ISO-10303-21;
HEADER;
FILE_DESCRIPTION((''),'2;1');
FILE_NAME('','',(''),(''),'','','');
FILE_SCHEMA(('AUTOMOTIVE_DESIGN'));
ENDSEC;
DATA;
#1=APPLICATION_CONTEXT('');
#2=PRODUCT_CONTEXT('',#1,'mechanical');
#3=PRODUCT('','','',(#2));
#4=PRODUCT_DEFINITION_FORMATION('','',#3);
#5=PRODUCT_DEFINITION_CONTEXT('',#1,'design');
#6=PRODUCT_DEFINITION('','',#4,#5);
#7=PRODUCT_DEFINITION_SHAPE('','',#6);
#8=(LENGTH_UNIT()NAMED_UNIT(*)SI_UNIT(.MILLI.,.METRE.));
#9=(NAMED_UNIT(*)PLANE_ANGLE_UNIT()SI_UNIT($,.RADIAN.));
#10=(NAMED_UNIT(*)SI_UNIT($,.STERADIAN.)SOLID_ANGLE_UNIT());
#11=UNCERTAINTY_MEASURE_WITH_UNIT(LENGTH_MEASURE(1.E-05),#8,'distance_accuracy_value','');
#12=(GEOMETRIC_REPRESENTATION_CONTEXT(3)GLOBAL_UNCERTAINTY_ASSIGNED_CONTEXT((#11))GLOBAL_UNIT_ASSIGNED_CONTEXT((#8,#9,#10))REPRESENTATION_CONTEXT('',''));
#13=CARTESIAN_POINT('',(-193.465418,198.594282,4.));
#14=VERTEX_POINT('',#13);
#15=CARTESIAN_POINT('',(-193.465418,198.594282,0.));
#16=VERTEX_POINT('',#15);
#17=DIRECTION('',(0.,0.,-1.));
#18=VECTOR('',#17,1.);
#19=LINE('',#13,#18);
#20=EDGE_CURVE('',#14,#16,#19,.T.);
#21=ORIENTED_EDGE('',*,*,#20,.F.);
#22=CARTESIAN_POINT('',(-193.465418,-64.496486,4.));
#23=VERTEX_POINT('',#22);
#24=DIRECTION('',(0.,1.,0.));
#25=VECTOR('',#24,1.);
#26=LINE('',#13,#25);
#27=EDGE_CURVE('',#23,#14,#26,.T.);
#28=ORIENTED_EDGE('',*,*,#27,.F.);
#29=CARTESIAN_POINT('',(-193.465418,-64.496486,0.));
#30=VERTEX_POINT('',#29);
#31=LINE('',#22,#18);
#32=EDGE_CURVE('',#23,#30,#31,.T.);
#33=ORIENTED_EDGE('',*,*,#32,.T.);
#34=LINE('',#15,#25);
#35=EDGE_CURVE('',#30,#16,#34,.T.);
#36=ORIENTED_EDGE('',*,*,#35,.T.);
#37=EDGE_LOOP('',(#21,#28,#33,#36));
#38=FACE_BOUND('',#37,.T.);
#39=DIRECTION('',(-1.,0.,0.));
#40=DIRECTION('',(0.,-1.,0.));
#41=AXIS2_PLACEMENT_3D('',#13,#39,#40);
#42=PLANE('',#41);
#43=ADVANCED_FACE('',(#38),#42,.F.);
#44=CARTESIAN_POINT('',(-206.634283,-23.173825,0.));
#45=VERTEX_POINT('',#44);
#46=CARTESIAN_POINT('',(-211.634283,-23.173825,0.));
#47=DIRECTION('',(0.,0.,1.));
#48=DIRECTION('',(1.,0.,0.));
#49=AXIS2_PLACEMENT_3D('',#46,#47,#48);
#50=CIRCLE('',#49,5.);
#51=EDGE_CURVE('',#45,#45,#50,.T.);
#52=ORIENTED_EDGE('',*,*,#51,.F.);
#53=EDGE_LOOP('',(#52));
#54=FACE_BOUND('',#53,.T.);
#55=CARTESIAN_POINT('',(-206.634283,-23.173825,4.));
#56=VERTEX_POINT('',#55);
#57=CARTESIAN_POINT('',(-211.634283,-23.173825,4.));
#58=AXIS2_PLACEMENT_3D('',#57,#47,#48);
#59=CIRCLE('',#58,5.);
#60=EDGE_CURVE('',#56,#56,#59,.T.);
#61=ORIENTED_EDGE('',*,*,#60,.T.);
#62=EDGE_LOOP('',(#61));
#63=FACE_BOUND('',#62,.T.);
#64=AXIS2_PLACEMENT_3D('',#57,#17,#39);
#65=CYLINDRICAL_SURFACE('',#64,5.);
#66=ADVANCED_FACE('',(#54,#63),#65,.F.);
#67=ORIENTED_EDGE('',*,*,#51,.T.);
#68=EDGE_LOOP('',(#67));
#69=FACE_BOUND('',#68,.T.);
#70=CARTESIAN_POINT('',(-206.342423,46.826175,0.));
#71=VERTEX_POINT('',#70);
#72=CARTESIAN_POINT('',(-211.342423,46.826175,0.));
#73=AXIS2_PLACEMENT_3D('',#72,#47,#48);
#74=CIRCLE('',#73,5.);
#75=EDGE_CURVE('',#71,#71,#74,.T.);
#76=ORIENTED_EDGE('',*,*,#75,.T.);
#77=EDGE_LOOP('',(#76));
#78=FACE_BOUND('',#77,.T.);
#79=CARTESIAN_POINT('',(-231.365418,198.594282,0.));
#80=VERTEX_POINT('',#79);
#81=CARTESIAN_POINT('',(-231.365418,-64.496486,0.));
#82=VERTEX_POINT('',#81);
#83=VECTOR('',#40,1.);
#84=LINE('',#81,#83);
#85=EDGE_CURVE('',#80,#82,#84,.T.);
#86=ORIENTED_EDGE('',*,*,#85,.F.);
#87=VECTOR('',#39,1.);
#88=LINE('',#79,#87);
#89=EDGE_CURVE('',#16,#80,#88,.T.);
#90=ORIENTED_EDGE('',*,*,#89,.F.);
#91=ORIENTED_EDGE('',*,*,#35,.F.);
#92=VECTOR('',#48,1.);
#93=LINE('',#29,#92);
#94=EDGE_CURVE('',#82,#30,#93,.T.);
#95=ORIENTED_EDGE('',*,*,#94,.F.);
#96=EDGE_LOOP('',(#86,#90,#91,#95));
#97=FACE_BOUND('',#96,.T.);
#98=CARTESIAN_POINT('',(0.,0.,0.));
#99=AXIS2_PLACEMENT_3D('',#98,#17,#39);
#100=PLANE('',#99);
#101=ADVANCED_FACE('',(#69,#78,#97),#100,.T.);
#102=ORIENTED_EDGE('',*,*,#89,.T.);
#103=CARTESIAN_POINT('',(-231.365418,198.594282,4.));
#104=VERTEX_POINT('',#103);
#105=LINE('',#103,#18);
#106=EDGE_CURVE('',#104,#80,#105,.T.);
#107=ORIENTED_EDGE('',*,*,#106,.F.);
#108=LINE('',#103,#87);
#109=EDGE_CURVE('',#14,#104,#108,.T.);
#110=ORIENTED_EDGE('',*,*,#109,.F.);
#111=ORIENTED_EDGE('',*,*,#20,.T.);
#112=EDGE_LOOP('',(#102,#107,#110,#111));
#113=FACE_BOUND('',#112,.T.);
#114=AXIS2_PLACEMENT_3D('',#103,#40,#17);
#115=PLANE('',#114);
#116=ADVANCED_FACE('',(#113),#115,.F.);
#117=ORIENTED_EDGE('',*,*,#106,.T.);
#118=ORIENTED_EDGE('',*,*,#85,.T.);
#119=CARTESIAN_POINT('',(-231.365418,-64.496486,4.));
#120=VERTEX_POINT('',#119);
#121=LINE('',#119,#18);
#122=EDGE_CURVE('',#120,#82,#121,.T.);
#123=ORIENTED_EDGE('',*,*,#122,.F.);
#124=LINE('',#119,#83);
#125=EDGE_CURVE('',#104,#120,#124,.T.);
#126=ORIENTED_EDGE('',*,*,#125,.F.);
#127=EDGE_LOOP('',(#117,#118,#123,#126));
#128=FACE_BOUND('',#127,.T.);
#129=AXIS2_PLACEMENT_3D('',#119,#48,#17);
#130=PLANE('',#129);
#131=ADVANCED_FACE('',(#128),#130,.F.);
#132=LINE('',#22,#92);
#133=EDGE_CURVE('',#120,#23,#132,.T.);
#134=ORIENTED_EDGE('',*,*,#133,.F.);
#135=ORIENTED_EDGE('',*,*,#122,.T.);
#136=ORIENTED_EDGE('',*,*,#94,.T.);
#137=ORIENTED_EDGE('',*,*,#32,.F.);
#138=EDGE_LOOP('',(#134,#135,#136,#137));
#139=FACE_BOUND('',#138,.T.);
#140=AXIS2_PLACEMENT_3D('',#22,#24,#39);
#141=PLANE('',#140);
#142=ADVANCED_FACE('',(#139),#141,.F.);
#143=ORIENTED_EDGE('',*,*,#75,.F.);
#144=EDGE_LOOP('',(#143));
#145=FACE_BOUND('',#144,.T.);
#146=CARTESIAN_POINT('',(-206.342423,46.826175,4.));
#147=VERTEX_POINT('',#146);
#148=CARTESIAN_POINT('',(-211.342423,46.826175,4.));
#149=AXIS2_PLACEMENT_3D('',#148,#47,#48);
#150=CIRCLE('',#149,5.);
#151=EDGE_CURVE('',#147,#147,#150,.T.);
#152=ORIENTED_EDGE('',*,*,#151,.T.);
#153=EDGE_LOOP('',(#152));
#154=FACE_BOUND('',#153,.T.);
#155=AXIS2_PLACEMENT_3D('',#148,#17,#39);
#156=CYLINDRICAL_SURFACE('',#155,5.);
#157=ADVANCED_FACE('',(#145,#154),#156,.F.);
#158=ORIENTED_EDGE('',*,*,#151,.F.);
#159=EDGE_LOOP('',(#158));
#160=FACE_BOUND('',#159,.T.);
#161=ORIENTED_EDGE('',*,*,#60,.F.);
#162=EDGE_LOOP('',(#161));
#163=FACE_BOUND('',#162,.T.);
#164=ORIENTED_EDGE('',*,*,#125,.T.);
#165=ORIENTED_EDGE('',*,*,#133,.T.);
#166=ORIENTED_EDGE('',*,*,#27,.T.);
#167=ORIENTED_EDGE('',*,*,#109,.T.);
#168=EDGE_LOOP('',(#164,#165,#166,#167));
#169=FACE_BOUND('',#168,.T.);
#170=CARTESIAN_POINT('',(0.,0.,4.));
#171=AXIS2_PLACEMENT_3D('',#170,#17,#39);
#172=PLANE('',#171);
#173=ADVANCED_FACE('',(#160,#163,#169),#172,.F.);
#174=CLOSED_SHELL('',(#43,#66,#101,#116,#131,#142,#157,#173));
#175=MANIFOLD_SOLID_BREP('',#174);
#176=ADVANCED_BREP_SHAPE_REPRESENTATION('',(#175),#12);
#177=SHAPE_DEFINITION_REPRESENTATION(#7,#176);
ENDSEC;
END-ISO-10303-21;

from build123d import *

# Parameters (mm, degrees)
SKETCH1_W           = 37.9
SKETCH1_H           = 263.090767789
SKETCH1_R           = 5
BOSS_EXTRUDE1_DEPTH = 4


with BuildPart() as part:
    # Sketch1 → Boss-Extrude1 (new body)
    with BuildSketch(Plane.XY):
        with Locations((-212.415418273, 67.048897724)):
            Rectangle(SKETCH1_W, SKETCH1_H)
        with Locations((-211.634282692, -23.173825437)):
            Circle(SKETCH1_R, mode=Mode.SUBTRACT)
        with Locations((-211.342423251, 46.826174563)):
            Circle(SKETCH1_R, mode=Mode.SUBTRACT)
    extrude(amount=BOSS_EXTRUDE1_DEPTH)


solid = part.part
